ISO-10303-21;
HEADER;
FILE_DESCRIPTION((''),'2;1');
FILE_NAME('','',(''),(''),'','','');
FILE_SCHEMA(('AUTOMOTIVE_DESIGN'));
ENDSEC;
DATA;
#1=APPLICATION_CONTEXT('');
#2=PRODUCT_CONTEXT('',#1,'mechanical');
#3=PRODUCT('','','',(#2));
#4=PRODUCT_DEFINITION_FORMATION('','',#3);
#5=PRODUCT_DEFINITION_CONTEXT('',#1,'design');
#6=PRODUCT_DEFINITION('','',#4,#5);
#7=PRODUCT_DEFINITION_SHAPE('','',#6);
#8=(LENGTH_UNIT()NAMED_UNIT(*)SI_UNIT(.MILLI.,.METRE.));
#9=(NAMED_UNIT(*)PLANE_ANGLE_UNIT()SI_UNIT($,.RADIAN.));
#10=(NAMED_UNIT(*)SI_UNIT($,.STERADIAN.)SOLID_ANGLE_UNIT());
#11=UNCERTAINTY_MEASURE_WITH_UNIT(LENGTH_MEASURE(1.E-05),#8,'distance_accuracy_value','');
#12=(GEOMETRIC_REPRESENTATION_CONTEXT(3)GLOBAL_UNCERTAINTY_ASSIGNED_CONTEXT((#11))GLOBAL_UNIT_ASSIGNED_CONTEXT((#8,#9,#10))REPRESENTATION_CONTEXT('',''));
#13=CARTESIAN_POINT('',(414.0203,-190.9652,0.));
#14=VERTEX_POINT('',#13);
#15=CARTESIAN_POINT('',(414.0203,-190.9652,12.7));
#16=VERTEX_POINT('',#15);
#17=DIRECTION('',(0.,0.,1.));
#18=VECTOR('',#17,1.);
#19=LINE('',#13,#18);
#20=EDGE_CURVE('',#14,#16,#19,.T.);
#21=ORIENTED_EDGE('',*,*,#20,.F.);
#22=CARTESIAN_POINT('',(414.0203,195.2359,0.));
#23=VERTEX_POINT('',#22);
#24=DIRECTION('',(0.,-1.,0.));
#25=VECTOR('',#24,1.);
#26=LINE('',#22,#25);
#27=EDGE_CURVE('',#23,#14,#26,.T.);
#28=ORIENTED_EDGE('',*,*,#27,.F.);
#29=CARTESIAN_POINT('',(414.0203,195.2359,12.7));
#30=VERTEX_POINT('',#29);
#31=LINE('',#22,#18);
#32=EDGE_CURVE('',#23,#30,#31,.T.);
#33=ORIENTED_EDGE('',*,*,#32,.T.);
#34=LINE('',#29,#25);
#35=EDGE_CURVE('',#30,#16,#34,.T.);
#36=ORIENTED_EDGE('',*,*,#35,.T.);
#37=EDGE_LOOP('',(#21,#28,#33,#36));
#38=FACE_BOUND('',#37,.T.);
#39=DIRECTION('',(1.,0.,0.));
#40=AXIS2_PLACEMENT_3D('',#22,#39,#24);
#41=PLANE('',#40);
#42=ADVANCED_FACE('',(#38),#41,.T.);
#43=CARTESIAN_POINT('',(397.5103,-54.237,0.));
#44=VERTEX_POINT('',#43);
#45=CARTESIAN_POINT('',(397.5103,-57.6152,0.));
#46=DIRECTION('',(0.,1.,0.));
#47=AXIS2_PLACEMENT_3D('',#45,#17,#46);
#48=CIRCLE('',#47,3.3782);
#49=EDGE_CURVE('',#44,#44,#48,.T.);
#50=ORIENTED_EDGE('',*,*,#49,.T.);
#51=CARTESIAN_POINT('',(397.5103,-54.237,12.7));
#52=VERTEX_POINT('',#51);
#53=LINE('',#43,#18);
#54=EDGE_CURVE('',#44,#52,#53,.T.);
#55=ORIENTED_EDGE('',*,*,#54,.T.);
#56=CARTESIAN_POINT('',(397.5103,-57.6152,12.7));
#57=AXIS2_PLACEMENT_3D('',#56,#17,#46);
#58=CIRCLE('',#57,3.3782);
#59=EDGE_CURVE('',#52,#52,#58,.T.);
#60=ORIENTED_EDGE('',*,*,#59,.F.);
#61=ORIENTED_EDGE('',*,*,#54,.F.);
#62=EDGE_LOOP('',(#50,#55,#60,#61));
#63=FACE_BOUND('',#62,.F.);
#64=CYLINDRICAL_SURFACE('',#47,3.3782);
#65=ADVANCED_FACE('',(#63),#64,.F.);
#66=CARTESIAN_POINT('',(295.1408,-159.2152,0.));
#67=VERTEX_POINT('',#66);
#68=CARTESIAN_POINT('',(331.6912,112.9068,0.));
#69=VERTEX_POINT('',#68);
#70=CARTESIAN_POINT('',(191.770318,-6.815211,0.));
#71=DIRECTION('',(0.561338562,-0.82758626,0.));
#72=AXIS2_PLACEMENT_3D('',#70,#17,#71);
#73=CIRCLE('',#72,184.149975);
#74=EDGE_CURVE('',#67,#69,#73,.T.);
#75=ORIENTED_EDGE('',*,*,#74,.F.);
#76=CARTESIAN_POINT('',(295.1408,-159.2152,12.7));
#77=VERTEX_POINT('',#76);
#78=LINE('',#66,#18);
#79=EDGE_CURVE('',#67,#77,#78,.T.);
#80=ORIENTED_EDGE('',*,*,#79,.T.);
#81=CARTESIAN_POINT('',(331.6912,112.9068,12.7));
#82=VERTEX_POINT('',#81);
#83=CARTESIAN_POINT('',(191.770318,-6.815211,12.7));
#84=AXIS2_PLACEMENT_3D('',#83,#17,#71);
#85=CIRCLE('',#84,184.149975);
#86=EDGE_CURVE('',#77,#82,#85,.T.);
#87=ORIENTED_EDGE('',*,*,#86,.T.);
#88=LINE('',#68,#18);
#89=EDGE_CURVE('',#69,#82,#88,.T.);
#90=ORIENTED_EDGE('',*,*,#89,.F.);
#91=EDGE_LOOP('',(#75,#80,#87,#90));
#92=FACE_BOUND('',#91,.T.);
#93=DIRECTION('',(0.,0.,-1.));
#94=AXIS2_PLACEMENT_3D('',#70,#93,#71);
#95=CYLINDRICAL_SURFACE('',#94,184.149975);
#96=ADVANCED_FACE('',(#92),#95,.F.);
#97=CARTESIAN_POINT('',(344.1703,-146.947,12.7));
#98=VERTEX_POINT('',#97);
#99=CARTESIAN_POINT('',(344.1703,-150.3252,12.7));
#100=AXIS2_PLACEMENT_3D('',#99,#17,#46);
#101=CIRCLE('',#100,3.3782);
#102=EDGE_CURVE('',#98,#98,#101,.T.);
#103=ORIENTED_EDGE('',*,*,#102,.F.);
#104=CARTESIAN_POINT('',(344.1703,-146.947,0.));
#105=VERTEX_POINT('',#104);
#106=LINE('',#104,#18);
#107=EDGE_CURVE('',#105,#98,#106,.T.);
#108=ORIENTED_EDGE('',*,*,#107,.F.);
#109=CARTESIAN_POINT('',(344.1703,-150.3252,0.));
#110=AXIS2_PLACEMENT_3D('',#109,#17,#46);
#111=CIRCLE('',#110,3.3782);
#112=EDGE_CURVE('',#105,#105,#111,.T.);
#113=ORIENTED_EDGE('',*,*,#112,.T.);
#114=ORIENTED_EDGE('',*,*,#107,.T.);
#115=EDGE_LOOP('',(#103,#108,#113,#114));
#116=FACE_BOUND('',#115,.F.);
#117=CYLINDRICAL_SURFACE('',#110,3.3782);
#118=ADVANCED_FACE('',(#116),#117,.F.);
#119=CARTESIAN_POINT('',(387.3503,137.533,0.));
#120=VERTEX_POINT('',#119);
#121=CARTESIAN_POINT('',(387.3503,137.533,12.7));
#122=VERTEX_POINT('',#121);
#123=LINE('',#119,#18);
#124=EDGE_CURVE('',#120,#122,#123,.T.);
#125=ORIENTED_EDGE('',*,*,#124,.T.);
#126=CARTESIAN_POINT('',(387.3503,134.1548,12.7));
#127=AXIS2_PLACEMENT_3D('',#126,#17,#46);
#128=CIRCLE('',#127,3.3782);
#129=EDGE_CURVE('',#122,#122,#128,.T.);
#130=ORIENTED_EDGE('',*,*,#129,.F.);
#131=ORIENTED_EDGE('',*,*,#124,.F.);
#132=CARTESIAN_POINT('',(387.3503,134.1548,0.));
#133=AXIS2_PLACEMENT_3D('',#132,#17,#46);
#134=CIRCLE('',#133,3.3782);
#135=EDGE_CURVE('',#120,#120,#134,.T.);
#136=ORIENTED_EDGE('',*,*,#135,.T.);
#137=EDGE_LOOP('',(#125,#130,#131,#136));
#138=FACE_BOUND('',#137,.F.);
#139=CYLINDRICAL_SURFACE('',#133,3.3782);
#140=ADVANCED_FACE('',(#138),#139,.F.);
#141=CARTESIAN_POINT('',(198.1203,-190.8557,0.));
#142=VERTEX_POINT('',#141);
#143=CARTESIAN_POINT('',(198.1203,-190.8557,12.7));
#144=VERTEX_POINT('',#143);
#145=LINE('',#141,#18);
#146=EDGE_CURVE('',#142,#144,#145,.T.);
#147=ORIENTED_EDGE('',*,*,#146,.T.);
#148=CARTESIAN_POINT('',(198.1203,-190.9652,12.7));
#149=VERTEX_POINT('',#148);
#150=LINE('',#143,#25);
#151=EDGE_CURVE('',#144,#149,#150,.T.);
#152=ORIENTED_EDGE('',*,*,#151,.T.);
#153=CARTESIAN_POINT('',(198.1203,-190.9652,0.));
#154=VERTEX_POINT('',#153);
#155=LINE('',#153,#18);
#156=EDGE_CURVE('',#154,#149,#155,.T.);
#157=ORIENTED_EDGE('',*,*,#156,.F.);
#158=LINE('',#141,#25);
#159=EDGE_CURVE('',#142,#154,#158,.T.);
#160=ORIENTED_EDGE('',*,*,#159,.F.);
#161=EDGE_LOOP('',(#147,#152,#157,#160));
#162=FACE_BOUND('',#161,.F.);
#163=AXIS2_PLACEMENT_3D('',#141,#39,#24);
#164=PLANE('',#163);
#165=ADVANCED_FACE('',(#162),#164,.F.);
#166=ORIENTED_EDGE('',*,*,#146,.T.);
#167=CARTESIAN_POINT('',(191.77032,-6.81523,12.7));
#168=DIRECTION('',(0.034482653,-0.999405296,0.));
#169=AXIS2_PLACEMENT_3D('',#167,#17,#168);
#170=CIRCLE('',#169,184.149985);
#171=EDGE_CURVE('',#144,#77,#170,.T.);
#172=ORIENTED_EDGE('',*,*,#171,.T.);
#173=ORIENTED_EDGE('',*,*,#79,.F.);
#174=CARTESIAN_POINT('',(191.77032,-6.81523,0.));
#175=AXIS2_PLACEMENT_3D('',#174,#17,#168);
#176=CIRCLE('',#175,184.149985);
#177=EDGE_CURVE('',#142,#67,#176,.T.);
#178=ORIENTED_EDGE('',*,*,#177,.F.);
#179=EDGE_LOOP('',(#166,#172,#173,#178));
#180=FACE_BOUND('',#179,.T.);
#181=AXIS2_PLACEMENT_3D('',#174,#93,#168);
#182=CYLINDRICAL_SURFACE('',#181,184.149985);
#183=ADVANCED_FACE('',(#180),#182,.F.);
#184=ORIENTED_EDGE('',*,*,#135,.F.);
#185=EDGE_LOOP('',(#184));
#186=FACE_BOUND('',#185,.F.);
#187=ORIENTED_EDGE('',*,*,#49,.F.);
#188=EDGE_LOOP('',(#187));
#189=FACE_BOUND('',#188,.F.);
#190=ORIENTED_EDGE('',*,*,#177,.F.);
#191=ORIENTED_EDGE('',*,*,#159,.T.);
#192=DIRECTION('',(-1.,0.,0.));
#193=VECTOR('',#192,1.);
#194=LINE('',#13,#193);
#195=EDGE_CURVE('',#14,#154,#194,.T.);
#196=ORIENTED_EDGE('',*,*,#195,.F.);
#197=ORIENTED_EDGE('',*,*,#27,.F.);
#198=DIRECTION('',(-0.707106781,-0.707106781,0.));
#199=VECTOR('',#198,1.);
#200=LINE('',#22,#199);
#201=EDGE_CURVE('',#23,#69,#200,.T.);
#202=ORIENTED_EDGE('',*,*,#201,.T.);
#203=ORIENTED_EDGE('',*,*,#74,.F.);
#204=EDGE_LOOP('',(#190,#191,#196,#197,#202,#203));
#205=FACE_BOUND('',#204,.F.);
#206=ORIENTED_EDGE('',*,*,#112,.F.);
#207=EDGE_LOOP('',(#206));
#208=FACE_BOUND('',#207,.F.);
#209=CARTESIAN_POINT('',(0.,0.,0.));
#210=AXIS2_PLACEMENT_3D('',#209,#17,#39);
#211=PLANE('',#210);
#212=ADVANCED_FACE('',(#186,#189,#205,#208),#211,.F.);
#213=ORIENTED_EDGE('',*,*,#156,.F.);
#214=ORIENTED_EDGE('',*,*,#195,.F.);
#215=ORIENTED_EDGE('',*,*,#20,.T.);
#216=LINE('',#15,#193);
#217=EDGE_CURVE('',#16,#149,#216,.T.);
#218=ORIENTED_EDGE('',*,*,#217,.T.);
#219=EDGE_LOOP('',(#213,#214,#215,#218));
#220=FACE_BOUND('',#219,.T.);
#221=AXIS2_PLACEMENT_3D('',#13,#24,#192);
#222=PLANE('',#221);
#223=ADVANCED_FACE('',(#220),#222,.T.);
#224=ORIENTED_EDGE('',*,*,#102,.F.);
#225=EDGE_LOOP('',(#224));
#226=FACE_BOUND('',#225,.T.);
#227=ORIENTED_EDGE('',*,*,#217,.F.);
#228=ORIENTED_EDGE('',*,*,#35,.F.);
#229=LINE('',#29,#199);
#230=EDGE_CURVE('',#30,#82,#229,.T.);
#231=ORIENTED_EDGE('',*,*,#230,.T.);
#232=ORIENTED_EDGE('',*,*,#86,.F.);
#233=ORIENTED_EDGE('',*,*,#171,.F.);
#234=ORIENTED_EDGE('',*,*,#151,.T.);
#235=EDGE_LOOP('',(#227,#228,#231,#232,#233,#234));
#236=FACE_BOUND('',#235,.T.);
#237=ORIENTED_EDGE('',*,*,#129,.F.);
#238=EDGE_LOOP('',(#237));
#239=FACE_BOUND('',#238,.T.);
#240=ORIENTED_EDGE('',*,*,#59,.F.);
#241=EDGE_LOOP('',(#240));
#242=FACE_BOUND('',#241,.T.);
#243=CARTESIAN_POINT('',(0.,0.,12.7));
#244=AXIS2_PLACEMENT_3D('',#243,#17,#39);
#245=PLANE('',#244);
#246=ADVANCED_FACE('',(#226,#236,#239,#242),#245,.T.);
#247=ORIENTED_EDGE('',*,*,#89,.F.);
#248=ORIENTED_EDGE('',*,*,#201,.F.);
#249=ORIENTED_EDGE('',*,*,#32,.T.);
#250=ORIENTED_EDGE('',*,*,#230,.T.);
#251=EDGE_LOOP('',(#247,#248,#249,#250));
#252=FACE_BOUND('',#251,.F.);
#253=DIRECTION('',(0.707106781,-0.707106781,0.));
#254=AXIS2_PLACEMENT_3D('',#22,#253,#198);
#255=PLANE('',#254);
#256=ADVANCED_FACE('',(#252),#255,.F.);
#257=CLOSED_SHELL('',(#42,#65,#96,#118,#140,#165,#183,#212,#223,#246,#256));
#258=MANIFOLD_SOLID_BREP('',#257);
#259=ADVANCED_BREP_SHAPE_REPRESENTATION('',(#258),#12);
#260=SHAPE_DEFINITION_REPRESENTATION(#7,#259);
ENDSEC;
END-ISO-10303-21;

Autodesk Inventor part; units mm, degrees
ref_plane "YZ Plane" through (0, 0, 0) normal (1, 0, 0) x (0, 1, 0)
ref_plane "XZ Plane" through (0, 0, 0) normal (0, 1, 0) x (-1, 0, 0)
ref_plane "XY Plane" through (0, 0, 0) normal (0, 0, 1) x (1, 0, 0)
sketch "Sketch1" plane through (0, 0, 0) normal (0, 0, 1) x (1, 0, 0)
  arc A0 (295.1408, -159.2152) -> (331.6912, 112.9068) centre (191.7703, -6.8152) ccw
  line L0 (414.0203, 195.2359) -> (414.0203, -190.9652)
  line L1 (414.0203, -190.9652) -> (198.1203, -190.9652)
  arc A1 (198.1203, -190.8557) -> (331.6912, 112.9068) centre (191.7703, -6.8152) ccw
  arc A2 (198.1203, -190.8557) -> (331.6912, 112.9068) centre (191.7703, -6.8152) ccw
  line L2 (414.0203, 195.2359) -> (501.2785, 195.2359) construction
  line L3 (414.0203, 195.2359) -> (331.6912, 112.9068)
  line L4 (414.0203, 195.2359) -> (530.4512, 195.2359) construction
  line L5 (198.1203, -190.8557) -> (198.1203, -190.9652)
  point P0 (347.2273, 121.372)
  point P1 (295.1408, -159.2152)
  dimension "d5" = 184.15
  dimension "d10" = 135
  dimension "d14" = 222.25
  dimension "d17" = 119.722
extrude "Extrusion2" add sketch "Sketch1" along normal blind 12.7
sketch "Sketch2" plane through (0, 0, 0) normal (0, 0, -1) x (-1, 0, 0)
  line L0 (-414.0203, -190.9652) -> (-414.0203, 195.2359) projected
  line L1 (-198.1203, -190.9652) -> (-414.0203, -190.9652) projected
  point P0 (0, 0)
  point P1 (-344.1703, -150.3252)
  point P2 (-397.5103, -57.6152)
  point P3 (-387.3503, 134.1548)
  dimension "d18" = 69.85
  dimension "d19" = 40.64
  dimension "d20" = 133.35
  dimension "d21" = 16.51
  dimension "d22" = 325.12
  dimension "d23" = 26.67
hole "Hole1" at (344.1703, -150.3252, 0) at (397.5103, -57.6152, 0) at (387.3503, 134.1548, 0) direction (0, 0, 1) diameter 6.7564 end through all
properties part number "Hood" material "Wood (Oak)"
